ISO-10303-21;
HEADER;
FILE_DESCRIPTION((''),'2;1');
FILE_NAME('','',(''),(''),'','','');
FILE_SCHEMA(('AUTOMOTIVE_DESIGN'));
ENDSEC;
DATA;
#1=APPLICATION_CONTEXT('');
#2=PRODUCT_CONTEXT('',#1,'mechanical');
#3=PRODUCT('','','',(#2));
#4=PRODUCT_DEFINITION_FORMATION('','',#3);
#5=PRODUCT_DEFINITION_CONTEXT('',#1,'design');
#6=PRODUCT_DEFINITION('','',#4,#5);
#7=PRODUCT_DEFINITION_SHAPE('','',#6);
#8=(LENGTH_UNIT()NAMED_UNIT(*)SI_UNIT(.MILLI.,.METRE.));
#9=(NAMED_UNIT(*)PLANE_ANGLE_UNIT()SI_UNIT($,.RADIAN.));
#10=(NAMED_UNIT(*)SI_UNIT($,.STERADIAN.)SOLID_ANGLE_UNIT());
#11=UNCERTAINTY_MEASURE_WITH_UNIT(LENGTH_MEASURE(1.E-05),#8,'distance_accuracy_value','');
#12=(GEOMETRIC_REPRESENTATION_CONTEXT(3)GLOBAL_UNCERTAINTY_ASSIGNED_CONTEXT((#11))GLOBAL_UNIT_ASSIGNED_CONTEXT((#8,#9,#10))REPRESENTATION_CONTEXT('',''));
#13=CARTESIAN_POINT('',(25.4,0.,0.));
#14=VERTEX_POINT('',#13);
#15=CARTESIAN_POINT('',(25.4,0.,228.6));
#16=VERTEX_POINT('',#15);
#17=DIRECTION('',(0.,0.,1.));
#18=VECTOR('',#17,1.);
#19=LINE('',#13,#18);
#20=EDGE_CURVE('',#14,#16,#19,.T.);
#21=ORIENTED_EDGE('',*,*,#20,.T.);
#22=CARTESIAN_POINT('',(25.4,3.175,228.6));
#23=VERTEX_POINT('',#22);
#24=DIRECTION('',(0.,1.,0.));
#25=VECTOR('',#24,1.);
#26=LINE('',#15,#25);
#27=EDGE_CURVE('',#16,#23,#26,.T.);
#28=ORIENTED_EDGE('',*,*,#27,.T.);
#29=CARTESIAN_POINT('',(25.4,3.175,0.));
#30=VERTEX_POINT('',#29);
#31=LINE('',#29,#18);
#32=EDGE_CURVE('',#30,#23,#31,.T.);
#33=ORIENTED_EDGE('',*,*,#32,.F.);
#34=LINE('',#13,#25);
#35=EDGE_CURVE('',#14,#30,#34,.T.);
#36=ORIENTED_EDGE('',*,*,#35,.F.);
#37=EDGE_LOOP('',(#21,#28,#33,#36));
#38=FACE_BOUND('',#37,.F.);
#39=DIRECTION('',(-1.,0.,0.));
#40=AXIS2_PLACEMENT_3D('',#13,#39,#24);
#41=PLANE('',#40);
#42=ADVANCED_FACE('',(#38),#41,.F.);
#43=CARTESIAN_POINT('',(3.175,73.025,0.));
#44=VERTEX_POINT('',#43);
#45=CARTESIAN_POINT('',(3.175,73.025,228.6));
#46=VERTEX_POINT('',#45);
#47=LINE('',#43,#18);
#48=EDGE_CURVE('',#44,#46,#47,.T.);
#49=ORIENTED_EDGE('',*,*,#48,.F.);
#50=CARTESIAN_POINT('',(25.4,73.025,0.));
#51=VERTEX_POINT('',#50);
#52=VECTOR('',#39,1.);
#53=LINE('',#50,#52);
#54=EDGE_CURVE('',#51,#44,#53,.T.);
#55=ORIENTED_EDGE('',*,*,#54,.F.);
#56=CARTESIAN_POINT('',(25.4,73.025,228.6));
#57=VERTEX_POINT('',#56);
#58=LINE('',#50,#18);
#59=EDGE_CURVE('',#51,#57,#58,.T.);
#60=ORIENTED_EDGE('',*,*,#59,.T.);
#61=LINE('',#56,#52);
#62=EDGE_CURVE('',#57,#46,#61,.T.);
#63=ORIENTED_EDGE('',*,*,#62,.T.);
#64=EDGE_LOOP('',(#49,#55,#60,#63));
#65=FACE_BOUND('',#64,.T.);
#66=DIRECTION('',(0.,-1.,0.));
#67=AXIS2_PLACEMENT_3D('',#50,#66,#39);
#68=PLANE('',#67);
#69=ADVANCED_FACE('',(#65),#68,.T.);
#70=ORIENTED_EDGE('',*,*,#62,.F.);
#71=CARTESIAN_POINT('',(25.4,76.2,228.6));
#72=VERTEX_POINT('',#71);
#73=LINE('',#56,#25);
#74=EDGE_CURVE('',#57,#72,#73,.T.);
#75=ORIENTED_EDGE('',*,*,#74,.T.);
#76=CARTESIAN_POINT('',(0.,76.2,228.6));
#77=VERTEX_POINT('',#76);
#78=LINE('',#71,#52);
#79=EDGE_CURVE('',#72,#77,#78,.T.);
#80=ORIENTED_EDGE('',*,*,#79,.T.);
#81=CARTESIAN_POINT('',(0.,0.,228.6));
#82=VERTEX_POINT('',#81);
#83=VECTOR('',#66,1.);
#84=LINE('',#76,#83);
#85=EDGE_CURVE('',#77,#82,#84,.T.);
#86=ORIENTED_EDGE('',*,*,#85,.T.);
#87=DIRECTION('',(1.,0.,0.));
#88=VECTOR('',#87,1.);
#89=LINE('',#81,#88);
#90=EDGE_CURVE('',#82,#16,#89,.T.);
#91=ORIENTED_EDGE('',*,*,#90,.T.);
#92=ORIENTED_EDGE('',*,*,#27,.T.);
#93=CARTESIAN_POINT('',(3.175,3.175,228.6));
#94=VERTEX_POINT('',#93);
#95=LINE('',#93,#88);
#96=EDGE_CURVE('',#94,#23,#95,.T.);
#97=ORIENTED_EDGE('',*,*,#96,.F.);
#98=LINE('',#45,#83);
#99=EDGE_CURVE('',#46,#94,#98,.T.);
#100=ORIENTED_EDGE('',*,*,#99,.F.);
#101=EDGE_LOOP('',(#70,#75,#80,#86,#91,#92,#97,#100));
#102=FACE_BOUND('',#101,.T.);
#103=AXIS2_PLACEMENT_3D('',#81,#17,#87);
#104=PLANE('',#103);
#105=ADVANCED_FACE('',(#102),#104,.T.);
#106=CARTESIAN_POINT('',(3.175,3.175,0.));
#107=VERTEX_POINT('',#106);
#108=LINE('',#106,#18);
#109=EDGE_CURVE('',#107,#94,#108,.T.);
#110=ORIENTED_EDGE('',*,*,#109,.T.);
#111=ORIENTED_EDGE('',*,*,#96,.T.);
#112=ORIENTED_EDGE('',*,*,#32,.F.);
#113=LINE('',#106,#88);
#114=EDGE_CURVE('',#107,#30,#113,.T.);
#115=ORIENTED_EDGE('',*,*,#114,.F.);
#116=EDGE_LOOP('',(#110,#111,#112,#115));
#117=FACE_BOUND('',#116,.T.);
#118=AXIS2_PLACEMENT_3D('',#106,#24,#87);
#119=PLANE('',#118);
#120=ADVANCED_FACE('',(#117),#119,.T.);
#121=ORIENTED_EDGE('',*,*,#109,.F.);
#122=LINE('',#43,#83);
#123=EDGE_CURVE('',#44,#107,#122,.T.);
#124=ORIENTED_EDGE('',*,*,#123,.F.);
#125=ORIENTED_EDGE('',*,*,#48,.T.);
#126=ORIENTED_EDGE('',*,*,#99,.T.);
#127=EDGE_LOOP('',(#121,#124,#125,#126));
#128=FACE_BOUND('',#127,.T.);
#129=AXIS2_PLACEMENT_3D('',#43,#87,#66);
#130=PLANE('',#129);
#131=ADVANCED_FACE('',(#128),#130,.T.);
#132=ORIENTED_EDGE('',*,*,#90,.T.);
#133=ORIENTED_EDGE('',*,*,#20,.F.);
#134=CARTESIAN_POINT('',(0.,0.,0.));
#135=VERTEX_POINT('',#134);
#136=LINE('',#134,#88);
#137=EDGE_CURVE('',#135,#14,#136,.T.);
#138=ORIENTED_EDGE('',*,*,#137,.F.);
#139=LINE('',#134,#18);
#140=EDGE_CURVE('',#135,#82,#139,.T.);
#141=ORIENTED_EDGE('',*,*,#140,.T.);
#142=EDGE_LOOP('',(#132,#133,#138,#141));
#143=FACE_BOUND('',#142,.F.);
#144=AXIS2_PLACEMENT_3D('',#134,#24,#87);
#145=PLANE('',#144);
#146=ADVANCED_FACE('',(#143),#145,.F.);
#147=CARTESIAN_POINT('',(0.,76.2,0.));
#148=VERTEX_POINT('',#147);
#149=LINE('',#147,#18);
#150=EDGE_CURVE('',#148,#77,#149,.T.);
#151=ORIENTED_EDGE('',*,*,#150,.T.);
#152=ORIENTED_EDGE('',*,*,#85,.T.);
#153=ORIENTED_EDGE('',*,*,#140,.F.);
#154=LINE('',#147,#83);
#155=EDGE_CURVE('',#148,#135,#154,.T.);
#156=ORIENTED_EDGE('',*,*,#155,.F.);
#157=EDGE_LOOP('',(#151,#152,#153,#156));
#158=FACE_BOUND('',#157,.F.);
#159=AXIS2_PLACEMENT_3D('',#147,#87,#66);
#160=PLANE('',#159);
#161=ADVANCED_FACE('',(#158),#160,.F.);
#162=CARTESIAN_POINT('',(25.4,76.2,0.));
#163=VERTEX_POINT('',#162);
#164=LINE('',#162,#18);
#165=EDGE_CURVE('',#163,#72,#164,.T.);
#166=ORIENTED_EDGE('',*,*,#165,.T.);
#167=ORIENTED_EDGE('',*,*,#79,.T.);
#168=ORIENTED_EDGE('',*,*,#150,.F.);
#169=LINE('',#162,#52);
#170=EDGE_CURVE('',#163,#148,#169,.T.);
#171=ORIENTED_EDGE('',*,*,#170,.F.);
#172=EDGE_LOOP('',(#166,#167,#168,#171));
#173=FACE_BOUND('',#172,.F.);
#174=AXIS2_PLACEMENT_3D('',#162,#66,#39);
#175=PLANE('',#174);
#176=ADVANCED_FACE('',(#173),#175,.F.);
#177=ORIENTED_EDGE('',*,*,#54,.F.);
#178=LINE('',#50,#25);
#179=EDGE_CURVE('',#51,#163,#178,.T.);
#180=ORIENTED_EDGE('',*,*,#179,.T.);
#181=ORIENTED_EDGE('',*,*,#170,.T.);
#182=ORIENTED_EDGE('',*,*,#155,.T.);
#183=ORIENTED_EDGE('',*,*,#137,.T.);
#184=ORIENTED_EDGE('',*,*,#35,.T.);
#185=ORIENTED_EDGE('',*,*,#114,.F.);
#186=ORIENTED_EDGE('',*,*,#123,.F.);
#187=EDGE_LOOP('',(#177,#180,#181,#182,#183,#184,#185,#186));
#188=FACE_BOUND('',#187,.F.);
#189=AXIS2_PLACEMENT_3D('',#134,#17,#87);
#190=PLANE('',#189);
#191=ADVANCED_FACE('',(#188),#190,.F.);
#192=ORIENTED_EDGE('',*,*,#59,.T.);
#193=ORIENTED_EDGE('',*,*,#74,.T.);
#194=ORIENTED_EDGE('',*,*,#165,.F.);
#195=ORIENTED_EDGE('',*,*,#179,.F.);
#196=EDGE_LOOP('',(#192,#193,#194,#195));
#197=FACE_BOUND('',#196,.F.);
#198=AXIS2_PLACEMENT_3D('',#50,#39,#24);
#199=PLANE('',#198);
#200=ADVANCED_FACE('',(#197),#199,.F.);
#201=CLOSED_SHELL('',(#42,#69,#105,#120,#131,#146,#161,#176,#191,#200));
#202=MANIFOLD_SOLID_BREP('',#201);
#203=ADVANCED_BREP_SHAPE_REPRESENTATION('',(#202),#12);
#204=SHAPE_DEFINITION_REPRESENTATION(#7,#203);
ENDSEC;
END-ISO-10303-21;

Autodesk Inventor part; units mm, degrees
ref_plane "YZ Plane" through (0, 0, 0) normal (1, 0, 0) x (0, 1, 0)
ref_plane "XZ Plane" through (0, 0, 0) normal (0, 1, 0) x (-1, 0, 0)
ref_plane "XY Plane" through (0, 0, 0) normal (0, 0, 1) x (1, 0, 0)
sketch "Sketch1" plane through (0, 0, 0) normal (0, 0, 1) x (1, 0, 0)
  line L0 (0, 0) -> (25.4, 0)
  line L1 (25.4, 76.2) -> (0, 76.2)
  line L2 (0, 76.2) -> (0, 0)
  line L3 (25.4, 73.025) -> (3.175, 73.025)
  line L4 (3.175, 73.025) -> (3.175, 3.175)
  line L5 (3.175, 3.175) -> (25.4, 3.175)
  line L6 (25.4, 0) -> (25.4, 3.175)
  line L7 (25.4, 73.025) -> (25.4, 76.2)
  dimension "d0" = 76.2
  dimension "d1" = 25.4
  dimension "d2" = 3.175
  dimension "d3" = 3.175
  dimension "d4" = 3.175
extrude "Extrusion1" add sketch "Sketch1" along normal blind 228.6
equation "\"d2\" = d3"
equation "\"d3\" = d4"
properties part number "1 by 3 U"
